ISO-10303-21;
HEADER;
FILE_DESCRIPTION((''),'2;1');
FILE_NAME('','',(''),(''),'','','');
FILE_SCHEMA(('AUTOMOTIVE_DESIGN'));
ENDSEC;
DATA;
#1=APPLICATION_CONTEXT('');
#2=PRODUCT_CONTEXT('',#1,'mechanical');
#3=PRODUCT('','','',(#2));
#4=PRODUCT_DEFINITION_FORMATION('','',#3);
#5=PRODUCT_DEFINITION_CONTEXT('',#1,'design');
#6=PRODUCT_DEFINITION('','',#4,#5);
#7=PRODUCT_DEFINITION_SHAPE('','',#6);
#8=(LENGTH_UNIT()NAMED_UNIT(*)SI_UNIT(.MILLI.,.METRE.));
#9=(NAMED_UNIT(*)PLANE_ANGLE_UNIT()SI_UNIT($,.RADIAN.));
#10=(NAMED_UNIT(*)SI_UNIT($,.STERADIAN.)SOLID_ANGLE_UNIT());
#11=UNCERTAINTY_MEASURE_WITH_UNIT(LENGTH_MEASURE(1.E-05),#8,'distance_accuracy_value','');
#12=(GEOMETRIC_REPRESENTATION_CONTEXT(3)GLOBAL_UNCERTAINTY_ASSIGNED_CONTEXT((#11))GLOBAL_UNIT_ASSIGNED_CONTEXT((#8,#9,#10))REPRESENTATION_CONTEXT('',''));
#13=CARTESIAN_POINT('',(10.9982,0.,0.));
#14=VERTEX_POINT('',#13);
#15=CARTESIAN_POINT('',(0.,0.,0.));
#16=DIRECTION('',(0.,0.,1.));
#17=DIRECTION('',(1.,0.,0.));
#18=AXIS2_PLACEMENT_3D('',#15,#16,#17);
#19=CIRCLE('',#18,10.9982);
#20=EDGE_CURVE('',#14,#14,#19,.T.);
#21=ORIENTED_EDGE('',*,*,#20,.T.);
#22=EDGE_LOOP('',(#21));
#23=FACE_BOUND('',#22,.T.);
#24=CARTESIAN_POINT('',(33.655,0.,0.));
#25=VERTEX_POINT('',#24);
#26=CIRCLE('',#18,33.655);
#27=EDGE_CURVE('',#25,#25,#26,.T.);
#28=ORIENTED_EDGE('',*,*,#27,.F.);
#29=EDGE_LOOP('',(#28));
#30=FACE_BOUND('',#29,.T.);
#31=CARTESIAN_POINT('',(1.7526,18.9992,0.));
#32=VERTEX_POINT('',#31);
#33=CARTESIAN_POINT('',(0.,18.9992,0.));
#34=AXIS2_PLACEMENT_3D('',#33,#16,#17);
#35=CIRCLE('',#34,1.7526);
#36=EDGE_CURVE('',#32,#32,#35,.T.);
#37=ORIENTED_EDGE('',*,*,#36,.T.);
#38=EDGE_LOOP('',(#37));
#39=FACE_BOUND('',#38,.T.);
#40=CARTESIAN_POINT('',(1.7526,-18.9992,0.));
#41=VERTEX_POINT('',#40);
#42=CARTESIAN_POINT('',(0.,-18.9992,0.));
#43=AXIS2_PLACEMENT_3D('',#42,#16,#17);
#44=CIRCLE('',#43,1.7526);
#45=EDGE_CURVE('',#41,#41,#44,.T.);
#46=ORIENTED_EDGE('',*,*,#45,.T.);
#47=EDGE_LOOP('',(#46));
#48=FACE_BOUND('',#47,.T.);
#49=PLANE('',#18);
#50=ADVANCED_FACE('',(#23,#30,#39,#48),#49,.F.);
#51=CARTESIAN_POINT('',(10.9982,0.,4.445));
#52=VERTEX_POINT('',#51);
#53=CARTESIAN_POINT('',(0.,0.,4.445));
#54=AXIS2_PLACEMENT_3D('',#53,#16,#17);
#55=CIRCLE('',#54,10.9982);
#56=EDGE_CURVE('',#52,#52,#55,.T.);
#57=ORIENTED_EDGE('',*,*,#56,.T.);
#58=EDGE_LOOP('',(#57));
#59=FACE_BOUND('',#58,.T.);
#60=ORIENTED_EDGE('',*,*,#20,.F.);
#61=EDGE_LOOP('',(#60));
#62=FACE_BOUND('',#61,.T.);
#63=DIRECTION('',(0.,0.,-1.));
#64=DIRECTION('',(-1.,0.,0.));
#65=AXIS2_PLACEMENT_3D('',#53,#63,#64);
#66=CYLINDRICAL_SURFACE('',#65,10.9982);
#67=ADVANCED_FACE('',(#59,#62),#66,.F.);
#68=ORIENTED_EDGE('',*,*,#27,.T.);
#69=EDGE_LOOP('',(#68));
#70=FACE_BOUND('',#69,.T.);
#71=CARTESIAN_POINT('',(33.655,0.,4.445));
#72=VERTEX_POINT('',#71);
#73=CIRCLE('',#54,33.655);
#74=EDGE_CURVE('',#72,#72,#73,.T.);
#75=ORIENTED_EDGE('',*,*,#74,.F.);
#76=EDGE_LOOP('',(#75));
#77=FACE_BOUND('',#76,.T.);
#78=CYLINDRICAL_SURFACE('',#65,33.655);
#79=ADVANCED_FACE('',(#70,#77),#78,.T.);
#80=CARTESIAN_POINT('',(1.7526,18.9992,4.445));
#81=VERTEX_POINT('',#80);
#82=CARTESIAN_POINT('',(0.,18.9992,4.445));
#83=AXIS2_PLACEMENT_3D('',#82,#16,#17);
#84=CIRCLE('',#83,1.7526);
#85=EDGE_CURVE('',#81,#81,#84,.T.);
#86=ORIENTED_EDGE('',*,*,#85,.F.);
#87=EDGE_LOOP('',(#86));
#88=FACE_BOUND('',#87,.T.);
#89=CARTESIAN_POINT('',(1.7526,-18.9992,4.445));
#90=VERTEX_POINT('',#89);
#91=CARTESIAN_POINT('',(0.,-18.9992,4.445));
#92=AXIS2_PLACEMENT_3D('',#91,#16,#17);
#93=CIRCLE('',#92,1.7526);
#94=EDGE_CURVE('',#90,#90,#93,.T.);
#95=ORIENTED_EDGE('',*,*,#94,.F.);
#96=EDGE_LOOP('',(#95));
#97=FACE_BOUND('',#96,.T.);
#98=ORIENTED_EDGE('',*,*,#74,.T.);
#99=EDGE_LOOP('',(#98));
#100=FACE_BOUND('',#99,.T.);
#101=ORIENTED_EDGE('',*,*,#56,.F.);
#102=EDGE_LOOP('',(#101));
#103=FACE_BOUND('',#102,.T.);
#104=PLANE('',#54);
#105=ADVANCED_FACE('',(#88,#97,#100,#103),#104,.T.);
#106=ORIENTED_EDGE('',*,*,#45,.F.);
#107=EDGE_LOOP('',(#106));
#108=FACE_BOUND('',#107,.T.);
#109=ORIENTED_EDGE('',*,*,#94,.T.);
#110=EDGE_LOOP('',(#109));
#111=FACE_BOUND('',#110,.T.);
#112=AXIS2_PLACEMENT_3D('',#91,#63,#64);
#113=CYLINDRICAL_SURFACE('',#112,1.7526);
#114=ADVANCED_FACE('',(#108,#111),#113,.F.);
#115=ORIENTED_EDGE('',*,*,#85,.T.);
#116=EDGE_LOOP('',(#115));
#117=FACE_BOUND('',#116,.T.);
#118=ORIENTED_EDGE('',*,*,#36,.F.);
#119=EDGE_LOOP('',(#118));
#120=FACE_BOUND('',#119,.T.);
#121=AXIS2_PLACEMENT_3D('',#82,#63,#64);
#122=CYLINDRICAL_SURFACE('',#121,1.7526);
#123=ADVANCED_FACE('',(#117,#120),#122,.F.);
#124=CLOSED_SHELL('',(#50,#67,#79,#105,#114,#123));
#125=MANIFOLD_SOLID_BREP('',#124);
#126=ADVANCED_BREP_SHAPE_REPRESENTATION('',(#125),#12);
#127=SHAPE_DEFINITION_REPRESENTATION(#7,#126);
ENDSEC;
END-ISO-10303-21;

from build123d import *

# Parameters (mm, degrees)
SKETCH1_R           = 33.655
SKETCH1_R_2         = 1.7526
SKETCH1_R_3         = 10.9982
BOSS_EXTRUDE1_DEPTH = 4.445


with BuildPart() as part:
    # Sketch1 → Boss-Extrude1 (new body)
    with BuildSketch(Plane.XY):
        Circle(SKETCH1_R)
        with Locations((0, 18.9992)):
            Circle(SKETCH1_R_2, mode=Mode.SUBTRACT)
        Circle(SKETCH1_R_3, mode=Mode.SUBTRACT)
        with Locations((0, -18.9992)):
            Circle(SKETCH1_R_2, mode=Mode.SUBTRACT)
    extrude(amount=BOSS_EXTRUDE1_DEPTH)


solid = part.part
